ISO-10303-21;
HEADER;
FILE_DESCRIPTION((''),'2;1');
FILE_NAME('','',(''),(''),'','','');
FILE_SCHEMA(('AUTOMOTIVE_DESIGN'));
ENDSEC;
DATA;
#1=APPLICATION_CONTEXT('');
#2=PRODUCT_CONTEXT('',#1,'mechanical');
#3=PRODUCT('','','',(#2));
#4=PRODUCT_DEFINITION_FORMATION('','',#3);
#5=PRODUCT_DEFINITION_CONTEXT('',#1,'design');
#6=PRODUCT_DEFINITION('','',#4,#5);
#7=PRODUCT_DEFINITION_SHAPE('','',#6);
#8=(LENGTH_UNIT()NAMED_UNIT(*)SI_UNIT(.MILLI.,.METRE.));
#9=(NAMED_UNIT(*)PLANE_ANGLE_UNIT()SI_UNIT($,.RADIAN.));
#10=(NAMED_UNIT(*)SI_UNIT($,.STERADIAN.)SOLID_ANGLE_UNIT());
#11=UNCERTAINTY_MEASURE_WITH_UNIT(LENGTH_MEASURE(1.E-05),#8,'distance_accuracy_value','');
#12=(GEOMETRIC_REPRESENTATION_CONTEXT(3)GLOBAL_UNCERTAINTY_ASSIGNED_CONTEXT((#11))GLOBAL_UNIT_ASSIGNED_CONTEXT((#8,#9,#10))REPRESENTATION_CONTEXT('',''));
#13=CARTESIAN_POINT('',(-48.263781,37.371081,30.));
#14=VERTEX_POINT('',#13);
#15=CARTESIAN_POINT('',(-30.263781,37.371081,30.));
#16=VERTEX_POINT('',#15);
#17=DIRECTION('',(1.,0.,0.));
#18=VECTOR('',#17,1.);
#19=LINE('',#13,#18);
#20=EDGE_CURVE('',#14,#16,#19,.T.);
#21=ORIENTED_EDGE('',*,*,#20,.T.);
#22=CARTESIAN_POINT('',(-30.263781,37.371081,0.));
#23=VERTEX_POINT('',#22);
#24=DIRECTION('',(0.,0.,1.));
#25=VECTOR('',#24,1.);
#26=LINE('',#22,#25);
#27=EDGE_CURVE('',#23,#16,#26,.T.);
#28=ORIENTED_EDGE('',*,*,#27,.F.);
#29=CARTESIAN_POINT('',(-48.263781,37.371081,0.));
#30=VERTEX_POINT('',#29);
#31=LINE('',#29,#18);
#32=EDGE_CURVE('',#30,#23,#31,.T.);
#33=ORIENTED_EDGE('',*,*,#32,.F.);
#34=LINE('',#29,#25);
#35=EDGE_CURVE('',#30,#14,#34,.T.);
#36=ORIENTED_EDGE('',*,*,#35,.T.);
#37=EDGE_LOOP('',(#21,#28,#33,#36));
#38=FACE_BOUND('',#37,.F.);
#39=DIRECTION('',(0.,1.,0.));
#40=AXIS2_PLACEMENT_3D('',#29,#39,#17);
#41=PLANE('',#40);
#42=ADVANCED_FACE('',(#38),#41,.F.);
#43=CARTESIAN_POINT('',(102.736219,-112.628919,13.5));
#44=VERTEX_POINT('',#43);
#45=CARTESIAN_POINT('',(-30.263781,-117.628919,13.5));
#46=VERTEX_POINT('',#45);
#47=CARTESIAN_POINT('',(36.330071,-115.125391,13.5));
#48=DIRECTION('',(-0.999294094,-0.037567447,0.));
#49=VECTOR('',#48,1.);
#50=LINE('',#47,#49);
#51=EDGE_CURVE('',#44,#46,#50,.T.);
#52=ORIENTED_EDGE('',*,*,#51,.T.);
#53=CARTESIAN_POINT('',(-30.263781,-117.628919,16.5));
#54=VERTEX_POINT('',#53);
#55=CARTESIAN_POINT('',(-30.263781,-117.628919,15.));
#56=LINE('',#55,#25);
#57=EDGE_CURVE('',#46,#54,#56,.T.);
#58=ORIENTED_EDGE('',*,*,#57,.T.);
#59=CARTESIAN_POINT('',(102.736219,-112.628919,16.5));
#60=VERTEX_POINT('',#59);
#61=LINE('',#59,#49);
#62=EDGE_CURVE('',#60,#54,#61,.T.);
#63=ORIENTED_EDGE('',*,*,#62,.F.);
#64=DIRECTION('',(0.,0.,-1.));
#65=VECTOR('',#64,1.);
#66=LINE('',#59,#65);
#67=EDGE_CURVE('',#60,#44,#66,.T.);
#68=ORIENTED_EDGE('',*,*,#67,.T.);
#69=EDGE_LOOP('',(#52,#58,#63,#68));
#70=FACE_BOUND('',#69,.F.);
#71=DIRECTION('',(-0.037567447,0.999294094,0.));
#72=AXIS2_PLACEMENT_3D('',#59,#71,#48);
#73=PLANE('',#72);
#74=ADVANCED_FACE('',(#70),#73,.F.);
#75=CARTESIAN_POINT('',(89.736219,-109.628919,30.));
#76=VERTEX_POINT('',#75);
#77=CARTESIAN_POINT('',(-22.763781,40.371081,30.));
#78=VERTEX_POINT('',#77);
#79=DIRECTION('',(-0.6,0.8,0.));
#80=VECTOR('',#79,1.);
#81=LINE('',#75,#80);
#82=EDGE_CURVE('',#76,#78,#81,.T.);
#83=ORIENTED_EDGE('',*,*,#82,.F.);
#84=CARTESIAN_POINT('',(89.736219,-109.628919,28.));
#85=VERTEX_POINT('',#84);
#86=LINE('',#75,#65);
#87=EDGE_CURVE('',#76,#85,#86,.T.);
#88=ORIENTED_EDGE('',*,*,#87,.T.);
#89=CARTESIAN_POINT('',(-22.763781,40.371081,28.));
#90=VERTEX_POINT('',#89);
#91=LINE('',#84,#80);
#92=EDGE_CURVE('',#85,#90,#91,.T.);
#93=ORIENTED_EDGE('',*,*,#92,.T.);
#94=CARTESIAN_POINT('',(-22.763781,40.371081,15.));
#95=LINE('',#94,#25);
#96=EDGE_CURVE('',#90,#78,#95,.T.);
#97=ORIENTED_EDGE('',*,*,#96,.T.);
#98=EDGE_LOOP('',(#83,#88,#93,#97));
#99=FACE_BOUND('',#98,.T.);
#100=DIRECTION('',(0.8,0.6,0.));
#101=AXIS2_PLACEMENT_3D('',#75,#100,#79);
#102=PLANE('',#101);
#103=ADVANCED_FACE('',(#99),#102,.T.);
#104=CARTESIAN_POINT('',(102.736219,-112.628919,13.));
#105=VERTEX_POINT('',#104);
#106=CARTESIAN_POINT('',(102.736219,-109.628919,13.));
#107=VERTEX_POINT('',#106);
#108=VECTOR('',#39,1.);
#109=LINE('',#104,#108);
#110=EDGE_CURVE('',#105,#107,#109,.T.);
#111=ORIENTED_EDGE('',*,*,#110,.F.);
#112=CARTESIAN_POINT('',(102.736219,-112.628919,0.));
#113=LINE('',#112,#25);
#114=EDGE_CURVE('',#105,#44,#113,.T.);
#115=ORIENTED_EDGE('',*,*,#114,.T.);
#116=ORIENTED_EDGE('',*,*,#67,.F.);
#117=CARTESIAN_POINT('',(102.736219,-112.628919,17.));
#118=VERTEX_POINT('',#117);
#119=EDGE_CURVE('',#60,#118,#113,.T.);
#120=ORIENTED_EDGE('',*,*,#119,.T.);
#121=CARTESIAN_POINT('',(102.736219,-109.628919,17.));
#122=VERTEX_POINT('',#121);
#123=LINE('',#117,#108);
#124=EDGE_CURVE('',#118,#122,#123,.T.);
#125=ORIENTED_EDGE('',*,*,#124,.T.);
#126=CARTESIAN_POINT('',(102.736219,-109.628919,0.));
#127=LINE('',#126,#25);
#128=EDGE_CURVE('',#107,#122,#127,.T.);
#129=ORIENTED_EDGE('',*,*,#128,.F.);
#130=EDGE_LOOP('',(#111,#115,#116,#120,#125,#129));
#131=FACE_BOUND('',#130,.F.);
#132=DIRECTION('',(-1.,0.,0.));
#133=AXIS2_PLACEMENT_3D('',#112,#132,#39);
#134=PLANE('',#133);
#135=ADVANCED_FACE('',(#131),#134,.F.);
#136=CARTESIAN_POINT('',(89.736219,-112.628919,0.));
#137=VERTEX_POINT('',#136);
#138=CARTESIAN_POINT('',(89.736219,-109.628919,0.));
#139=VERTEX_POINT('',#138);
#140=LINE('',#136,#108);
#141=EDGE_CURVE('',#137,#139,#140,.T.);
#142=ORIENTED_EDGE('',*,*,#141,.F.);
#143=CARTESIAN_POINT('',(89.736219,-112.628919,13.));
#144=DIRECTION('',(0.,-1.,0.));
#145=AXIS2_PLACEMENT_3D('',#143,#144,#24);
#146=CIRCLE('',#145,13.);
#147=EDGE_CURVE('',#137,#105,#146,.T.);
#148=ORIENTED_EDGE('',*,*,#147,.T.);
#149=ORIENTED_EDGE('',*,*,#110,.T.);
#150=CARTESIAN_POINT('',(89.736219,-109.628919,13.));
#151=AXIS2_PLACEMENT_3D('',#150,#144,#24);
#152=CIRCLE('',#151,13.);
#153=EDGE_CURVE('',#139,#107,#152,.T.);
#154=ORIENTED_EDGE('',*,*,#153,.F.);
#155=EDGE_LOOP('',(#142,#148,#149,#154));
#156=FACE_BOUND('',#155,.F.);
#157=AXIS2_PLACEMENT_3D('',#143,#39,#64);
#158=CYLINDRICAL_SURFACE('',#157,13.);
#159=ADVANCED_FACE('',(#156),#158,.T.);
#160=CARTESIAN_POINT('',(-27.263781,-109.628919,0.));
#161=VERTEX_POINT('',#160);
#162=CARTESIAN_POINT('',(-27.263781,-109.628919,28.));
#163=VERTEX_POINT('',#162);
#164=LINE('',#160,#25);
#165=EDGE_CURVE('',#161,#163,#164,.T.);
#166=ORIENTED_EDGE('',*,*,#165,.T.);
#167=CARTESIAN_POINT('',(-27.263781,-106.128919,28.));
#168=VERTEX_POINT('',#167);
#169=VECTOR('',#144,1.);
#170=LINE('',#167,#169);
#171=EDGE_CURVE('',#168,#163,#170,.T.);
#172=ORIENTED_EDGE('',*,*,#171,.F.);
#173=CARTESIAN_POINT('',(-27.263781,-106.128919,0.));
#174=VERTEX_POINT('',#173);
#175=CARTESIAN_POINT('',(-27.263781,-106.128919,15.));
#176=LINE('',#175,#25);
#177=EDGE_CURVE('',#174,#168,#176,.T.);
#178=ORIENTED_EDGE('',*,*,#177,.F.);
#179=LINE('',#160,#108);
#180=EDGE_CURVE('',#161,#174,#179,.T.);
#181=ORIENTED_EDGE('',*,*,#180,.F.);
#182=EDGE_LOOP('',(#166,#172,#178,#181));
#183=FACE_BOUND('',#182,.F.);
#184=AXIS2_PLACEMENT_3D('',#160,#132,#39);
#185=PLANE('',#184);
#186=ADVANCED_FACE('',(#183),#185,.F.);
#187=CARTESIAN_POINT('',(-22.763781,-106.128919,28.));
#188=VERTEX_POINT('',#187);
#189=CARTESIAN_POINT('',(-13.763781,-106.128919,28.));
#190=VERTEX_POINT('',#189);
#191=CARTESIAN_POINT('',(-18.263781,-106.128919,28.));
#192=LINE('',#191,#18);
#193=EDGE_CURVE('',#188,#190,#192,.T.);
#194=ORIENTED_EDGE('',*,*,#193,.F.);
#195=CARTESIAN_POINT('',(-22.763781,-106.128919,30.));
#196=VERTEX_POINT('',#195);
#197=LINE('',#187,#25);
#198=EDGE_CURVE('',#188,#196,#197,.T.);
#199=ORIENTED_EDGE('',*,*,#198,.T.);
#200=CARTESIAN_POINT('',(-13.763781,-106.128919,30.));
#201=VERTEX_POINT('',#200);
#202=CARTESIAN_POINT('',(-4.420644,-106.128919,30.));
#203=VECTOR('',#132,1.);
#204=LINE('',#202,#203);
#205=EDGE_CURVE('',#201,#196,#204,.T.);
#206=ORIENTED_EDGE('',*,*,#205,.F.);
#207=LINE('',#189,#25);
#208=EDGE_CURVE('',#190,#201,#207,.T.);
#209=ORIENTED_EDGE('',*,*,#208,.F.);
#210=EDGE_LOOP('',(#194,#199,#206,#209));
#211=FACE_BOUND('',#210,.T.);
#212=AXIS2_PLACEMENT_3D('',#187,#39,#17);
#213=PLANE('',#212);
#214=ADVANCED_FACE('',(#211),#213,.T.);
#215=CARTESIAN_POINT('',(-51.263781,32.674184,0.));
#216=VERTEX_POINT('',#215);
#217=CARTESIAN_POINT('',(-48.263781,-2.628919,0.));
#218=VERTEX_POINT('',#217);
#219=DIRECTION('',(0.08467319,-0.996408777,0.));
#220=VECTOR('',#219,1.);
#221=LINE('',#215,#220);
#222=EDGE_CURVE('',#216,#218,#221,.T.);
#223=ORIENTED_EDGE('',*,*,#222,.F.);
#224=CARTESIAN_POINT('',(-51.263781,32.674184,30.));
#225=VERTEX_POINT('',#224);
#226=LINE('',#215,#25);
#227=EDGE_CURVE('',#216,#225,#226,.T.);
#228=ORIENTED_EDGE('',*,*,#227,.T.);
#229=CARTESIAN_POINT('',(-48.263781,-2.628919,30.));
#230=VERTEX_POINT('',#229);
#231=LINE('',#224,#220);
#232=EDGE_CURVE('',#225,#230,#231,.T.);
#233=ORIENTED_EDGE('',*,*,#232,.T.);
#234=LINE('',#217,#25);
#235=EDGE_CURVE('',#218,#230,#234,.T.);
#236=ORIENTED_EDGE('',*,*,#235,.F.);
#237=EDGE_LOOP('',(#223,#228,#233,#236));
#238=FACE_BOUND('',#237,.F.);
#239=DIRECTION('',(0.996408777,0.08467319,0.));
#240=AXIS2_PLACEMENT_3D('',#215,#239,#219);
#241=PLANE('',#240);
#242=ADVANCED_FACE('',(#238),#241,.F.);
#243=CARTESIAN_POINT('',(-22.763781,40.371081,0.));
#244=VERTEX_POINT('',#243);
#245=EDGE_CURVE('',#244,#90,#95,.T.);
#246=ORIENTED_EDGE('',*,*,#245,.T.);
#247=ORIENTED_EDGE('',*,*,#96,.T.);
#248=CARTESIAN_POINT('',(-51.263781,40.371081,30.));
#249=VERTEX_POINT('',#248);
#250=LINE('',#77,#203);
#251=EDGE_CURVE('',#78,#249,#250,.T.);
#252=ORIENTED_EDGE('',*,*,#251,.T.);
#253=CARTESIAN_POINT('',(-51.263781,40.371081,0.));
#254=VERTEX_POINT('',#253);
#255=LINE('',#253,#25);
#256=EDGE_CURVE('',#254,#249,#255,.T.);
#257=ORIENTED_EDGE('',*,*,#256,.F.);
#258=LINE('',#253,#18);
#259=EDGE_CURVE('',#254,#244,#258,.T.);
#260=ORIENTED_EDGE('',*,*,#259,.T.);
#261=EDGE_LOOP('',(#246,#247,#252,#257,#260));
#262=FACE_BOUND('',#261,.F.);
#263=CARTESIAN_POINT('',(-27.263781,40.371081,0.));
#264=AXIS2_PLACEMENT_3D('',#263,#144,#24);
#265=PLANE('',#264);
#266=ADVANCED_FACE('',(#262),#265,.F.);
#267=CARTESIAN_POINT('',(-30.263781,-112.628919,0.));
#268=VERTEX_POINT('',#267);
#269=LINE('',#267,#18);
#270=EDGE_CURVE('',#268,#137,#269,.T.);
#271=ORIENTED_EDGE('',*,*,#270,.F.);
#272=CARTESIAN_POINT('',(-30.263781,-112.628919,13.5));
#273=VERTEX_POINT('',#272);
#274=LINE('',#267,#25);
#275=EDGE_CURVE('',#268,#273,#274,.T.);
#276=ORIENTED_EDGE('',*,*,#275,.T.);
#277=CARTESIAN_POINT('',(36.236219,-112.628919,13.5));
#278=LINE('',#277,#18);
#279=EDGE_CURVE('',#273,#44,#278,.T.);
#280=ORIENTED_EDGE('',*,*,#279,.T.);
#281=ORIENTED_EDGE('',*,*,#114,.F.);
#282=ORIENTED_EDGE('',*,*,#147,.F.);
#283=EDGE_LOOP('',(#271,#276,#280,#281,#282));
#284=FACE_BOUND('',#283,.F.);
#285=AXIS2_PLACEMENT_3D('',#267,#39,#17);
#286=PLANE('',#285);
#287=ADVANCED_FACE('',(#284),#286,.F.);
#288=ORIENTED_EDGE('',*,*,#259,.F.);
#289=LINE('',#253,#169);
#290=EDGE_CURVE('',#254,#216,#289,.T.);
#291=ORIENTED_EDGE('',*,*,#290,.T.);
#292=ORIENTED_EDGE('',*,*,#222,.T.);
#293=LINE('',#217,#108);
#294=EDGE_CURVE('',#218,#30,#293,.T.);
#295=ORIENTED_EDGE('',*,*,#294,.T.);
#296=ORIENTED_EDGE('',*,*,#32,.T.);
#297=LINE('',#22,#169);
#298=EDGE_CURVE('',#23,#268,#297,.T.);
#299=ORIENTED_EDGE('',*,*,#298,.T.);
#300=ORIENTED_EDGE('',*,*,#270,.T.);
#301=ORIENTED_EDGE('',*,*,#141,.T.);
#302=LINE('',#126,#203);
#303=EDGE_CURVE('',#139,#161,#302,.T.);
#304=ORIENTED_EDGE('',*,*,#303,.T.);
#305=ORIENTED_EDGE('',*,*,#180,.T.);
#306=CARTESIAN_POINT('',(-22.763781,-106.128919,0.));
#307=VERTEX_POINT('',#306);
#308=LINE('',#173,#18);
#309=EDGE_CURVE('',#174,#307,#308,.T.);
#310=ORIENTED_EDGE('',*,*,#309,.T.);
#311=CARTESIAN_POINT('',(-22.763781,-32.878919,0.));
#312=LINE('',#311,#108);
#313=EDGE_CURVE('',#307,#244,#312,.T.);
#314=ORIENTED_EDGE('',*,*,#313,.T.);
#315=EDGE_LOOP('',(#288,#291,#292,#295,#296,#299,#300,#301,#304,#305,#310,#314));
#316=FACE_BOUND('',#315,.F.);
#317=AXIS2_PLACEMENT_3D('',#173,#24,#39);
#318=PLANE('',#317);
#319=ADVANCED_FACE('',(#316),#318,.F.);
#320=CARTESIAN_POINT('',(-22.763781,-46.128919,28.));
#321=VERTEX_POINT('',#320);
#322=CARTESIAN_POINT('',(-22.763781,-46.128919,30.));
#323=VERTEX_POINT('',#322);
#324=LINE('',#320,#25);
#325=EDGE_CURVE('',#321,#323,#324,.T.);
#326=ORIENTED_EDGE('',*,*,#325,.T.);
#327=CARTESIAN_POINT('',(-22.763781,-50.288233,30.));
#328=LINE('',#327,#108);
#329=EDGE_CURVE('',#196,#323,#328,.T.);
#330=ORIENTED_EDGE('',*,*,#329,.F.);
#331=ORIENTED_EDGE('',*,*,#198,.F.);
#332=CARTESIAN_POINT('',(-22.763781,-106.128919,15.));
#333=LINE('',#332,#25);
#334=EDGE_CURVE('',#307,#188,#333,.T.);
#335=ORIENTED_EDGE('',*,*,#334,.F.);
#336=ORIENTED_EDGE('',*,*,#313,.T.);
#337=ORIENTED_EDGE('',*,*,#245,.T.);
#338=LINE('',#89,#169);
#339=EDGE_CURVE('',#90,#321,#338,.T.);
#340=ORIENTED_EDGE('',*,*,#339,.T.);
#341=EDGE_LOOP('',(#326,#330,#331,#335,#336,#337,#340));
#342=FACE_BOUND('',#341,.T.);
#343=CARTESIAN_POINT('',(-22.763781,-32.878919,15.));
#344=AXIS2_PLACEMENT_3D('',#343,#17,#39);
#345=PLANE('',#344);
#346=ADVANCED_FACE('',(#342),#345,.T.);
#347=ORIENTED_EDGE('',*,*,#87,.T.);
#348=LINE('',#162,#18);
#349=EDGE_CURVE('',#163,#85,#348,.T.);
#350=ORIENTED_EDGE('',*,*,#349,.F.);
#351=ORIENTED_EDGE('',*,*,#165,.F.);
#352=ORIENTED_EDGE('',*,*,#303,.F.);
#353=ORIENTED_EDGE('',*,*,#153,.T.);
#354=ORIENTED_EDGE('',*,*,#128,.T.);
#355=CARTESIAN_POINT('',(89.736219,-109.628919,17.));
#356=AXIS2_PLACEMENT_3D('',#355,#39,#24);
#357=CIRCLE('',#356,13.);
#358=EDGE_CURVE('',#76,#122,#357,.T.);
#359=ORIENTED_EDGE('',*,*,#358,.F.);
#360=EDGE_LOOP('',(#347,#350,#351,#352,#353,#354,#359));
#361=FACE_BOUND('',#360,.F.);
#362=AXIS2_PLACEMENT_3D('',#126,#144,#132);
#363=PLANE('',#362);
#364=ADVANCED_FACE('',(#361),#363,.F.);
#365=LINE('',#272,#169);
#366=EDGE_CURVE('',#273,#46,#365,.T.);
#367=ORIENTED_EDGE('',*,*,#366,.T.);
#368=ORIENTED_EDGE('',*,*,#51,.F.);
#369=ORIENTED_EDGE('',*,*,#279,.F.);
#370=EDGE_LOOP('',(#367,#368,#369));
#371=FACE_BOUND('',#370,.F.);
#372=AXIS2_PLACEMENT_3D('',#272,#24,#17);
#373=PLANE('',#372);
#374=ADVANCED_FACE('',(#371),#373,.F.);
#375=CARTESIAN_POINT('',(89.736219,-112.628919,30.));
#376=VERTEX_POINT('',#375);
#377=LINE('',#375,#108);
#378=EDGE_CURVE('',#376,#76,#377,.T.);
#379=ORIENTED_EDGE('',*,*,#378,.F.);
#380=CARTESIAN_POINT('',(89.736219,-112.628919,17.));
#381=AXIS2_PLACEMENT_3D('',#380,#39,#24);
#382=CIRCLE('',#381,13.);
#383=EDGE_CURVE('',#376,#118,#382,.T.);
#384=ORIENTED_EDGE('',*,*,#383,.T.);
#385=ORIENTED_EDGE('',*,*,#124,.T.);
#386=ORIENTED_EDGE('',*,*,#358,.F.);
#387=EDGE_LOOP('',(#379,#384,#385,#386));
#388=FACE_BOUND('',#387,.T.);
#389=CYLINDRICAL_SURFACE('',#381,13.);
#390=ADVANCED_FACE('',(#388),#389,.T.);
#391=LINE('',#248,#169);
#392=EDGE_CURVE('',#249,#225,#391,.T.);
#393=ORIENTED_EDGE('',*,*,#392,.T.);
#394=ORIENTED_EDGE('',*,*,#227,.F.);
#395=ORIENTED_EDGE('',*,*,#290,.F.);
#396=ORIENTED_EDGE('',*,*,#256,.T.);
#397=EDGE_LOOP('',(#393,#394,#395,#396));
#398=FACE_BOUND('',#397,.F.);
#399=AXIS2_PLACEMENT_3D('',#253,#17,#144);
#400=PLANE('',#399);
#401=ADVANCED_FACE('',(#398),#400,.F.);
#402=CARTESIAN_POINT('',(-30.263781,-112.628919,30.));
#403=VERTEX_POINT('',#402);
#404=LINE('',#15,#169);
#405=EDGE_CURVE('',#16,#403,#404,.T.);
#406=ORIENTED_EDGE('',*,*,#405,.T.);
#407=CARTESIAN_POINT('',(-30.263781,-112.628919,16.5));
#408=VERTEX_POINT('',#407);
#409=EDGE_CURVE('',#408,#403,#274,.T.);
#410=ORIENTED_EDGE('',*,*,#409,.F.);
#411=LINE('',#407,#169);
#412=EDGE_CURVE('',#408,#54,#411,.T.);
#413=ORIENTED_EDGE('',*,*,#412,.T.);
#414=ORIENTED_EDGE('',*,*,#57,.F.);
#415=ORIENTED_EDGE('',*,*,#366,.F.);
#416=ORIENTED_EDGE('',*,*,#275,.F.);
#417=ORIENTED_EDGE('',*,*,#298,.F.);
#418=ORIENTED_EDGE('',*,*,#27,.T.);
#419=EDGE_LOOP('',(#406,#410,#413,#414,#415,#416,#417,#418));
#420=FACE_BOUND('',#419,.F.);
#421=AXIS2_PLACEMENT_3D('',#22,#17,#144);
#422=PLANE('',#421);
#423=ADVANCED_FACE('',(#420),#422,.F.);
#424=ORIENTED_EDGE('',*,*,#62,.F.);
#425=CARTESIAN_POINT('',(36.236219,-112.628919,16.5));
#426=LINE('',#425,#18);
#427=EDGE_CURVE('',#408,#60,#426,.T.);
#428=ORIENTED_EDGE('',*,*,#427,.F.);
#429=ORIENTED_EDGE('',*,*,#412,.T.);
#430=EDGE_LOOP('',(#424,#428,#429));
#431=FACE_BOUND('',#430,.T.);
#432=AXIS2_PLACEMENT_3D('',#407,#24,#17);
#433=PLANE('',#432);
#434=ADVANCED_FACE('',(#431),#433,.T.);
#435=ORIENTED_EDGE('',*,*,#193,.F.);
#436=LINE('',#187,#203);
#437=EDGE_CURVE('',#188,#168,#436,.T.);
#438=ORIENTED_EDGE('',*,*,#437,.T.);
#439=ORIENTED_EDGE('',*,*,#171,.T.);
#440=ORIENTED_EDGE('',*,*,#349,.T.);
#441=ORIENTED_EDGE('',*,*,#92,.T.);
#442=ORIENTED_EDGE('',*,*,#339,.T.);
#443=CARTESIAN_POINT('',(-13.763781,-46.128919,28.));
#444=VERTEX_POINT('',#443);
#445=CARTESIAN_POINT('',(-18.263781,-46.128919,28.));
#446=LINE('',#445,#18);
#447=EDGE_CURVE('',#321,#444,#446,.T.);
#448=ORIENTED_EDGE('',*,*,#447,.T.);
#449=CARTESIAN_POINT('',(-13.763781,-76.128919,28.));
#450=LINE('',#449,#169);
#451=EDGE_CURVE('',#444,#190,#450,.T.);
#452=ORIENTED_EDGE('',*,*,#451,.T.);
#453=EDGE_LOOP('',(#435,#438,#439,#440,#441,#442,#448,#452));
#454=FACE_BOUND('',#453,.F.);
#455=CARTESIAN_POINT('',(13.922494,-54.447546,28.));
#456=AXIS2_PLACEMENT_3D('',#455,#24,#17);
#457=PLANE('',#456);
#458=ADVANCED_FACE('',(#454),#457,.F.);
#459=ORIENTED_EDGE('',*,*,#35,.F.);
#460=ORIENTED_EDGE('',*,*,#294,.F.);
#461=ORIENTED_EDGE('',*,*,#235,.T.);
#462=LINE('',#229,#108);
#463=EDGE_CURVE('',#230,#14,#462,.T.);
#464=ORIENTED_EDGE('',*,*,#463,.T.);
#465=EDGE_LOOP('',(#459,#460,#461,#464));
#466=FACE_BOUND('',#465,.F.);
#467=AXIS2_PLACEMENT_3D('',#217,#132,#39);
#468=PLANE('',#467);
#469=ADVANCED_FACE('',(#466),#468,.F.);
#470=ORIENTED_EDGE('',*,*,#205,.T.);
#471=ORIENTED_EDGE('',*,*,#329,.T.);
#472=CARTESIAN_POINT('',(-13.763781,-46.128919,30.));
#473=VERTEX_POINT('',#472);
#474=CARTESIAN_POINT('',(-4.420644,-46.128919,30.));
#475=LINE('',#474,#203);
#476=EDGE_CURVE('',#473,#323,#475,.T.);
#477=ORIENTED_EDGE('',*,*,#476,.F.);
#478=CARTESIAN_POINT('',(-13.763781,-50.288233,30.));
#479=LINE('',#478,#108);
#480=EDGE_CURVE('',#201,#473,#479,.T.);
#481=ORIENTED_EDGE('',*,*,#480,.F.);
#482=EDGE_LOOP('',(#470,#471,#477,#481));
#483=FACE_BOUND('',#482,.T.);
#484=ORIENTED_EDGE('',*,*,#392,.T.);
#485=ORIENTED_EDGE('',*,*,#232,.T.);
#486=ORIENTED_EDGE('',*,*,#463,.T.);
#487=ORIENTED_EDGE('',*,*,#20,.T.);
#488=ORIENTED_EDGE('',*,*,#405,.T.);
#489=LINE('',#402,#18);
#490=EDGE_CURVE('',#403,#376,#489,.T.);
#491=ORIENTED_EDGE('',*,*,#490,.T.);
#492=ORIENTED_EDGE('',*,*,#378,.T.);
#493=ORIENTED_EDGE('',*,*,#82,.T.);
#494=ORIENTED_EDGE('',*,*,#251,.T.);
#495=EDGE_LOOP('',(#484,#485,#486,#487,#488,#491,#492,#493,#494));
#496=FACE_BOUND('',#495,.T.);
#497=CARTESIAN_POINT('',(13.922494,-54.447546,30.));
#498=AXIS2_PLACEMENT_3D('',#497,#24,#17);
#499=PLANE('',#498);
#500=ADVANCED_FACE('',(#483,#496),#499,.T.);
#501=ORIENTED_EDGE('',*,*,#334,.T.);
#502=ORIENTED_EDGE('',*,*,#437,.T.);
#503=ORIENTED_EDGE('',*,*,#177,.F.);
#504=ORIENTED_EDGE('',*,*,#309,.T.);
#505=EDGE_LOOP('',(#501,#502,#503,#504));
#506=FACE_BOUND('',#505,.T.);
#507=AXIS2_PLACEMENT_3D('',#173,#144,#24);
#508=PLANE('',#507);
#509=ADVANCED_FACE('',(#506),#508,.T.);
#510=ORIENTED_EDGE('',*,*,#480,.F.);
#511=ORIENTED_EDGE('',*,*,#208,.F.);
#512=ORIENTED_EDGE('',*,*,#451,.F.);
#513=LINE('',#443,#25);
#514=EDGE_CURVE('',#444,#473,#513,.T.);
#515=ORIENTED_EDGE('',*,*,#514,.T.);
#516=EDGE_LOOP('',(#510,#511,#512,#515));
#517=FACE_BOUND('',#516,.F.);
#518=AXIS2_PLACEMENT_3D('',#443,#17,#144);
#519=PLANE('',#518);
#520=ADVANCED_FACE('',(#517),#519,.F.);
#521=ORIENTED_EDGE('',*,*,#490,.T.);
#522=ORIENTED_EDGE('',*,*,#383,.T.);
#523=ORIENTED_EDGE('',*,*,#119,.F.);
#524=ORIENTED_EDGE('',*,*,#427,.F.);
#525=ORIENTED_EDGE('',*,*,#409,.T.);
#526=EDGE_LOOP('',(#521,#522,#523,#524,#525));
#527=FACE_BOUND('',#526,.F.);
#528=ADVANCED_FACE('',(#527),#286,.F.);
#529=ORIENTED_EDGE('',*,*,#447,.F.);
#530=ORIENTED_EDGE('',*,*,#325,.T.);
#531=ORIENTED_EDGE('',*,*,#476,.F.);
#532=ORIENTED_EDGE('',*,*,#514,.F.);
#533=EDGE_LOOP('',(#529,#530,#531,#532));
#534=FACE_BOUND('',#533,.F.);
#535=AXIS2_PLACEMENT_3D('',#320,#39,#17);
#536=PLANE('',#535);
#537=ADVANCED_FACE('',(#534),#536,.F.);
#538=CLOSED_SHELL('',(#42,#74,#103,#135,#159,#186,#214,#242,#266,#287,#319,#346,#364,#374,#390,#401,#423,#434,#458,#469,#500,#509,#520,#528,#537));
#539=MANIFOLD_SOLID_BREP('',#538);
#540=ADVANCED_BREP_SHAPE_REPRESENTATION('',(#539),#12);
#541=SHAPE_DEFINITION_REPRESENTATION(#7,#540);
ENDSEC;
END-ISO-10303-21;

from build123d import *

# Parameters (mm, degrees)
F1_DEPTH  = 30
F2_W      = 133
F2_H      = 3
F3_DEPTH  = 5
F5_DEPTH  = 16.501
F6_R      = 13
F7_W      = 146.5
F7_H      = 30
F8_DEPTH  = 4.5
F10_DEPTH = 2
F11_W     = 9
F11_H     = 60
F12_DEPTH = 2.001


with BuildPart() as f1:
    # F0 (on Top) → F1 (new body)
    with BuildSketch(Plane.XY):
        Polygon((-51.263781, 32.674184), (-48.263781, -2.628919), (-48.263781, 37.371081), (-30.263781, 37.371081), (-30.263781, -112.628919), (102.736219, -112.628919), (102.736219, -109.628919), (-27.263781, -109.628919), (-27.263781, 40.371081), (-51.263781, 40.371081), align=None)
    extrude(amount=F1_DEPTH)

    # F2 (on face) → F3 (join)
    with BuildSketch(Plane.XZ.offset(112.628919)):
        with Locations((36.236219, 15)):
            Rectangle(F2_W, F2_H)
    extrude(amount=F3_DEPTH)

    # F4 (on face) → F5 (cut, through all)
    with BuildSketch(Plane.XY.offset(16.5)):
        Polygon((102.736219, -112.628919), (-30.263781, -117.628919), (102.736219, -117.628919), align=None)
    extrude(amount=-F5_DEPTH, mode=Mode.SUBTRACT)

    # F6
    f6_edges = [f1.edges().sort_by_distance(p)[0] for p in [
        (102.736219, -111.128919, 0),
        (102.736219, -111.128919, 30),
    ]]
    fillet(f6_edges, radius=F6_R)

    # F7 (on face) → F8 (join)
    with BuildSketch(Plane.YZ.offset(-27.263781)):
        with Locations((-32.878919, 15)):
            Rectangle(F7_W, F7_H)
    extrude(amount=F8_DEPTH)

    # F9 (on face) → F10 (join)
    with BuildSketch(Plane.XY.offset(30)):
        Polygon((89.736219, -109.628919), (-22.763781, 40.371081), (-22.763781, -106.128919), (-27.263781, -106.128919), (-27.263781, -109.628919), align=None)
    extrude(amount=-F10_DEPTH)

    # F11 (on face) → F12 (cut, through all)
    with BuildSketch(Plane(origin=(0, 0, 28), x_dir=(1, 0, 0), z_dir=(0, 0, -1))):
        with Locations((-18.263781, 76.128919)):
            Rectangle(F11_W, F11_H)
    extrude(amount=-F12_DEPTH, mode=Mode.SUBTRACT)


solid = f1.part
